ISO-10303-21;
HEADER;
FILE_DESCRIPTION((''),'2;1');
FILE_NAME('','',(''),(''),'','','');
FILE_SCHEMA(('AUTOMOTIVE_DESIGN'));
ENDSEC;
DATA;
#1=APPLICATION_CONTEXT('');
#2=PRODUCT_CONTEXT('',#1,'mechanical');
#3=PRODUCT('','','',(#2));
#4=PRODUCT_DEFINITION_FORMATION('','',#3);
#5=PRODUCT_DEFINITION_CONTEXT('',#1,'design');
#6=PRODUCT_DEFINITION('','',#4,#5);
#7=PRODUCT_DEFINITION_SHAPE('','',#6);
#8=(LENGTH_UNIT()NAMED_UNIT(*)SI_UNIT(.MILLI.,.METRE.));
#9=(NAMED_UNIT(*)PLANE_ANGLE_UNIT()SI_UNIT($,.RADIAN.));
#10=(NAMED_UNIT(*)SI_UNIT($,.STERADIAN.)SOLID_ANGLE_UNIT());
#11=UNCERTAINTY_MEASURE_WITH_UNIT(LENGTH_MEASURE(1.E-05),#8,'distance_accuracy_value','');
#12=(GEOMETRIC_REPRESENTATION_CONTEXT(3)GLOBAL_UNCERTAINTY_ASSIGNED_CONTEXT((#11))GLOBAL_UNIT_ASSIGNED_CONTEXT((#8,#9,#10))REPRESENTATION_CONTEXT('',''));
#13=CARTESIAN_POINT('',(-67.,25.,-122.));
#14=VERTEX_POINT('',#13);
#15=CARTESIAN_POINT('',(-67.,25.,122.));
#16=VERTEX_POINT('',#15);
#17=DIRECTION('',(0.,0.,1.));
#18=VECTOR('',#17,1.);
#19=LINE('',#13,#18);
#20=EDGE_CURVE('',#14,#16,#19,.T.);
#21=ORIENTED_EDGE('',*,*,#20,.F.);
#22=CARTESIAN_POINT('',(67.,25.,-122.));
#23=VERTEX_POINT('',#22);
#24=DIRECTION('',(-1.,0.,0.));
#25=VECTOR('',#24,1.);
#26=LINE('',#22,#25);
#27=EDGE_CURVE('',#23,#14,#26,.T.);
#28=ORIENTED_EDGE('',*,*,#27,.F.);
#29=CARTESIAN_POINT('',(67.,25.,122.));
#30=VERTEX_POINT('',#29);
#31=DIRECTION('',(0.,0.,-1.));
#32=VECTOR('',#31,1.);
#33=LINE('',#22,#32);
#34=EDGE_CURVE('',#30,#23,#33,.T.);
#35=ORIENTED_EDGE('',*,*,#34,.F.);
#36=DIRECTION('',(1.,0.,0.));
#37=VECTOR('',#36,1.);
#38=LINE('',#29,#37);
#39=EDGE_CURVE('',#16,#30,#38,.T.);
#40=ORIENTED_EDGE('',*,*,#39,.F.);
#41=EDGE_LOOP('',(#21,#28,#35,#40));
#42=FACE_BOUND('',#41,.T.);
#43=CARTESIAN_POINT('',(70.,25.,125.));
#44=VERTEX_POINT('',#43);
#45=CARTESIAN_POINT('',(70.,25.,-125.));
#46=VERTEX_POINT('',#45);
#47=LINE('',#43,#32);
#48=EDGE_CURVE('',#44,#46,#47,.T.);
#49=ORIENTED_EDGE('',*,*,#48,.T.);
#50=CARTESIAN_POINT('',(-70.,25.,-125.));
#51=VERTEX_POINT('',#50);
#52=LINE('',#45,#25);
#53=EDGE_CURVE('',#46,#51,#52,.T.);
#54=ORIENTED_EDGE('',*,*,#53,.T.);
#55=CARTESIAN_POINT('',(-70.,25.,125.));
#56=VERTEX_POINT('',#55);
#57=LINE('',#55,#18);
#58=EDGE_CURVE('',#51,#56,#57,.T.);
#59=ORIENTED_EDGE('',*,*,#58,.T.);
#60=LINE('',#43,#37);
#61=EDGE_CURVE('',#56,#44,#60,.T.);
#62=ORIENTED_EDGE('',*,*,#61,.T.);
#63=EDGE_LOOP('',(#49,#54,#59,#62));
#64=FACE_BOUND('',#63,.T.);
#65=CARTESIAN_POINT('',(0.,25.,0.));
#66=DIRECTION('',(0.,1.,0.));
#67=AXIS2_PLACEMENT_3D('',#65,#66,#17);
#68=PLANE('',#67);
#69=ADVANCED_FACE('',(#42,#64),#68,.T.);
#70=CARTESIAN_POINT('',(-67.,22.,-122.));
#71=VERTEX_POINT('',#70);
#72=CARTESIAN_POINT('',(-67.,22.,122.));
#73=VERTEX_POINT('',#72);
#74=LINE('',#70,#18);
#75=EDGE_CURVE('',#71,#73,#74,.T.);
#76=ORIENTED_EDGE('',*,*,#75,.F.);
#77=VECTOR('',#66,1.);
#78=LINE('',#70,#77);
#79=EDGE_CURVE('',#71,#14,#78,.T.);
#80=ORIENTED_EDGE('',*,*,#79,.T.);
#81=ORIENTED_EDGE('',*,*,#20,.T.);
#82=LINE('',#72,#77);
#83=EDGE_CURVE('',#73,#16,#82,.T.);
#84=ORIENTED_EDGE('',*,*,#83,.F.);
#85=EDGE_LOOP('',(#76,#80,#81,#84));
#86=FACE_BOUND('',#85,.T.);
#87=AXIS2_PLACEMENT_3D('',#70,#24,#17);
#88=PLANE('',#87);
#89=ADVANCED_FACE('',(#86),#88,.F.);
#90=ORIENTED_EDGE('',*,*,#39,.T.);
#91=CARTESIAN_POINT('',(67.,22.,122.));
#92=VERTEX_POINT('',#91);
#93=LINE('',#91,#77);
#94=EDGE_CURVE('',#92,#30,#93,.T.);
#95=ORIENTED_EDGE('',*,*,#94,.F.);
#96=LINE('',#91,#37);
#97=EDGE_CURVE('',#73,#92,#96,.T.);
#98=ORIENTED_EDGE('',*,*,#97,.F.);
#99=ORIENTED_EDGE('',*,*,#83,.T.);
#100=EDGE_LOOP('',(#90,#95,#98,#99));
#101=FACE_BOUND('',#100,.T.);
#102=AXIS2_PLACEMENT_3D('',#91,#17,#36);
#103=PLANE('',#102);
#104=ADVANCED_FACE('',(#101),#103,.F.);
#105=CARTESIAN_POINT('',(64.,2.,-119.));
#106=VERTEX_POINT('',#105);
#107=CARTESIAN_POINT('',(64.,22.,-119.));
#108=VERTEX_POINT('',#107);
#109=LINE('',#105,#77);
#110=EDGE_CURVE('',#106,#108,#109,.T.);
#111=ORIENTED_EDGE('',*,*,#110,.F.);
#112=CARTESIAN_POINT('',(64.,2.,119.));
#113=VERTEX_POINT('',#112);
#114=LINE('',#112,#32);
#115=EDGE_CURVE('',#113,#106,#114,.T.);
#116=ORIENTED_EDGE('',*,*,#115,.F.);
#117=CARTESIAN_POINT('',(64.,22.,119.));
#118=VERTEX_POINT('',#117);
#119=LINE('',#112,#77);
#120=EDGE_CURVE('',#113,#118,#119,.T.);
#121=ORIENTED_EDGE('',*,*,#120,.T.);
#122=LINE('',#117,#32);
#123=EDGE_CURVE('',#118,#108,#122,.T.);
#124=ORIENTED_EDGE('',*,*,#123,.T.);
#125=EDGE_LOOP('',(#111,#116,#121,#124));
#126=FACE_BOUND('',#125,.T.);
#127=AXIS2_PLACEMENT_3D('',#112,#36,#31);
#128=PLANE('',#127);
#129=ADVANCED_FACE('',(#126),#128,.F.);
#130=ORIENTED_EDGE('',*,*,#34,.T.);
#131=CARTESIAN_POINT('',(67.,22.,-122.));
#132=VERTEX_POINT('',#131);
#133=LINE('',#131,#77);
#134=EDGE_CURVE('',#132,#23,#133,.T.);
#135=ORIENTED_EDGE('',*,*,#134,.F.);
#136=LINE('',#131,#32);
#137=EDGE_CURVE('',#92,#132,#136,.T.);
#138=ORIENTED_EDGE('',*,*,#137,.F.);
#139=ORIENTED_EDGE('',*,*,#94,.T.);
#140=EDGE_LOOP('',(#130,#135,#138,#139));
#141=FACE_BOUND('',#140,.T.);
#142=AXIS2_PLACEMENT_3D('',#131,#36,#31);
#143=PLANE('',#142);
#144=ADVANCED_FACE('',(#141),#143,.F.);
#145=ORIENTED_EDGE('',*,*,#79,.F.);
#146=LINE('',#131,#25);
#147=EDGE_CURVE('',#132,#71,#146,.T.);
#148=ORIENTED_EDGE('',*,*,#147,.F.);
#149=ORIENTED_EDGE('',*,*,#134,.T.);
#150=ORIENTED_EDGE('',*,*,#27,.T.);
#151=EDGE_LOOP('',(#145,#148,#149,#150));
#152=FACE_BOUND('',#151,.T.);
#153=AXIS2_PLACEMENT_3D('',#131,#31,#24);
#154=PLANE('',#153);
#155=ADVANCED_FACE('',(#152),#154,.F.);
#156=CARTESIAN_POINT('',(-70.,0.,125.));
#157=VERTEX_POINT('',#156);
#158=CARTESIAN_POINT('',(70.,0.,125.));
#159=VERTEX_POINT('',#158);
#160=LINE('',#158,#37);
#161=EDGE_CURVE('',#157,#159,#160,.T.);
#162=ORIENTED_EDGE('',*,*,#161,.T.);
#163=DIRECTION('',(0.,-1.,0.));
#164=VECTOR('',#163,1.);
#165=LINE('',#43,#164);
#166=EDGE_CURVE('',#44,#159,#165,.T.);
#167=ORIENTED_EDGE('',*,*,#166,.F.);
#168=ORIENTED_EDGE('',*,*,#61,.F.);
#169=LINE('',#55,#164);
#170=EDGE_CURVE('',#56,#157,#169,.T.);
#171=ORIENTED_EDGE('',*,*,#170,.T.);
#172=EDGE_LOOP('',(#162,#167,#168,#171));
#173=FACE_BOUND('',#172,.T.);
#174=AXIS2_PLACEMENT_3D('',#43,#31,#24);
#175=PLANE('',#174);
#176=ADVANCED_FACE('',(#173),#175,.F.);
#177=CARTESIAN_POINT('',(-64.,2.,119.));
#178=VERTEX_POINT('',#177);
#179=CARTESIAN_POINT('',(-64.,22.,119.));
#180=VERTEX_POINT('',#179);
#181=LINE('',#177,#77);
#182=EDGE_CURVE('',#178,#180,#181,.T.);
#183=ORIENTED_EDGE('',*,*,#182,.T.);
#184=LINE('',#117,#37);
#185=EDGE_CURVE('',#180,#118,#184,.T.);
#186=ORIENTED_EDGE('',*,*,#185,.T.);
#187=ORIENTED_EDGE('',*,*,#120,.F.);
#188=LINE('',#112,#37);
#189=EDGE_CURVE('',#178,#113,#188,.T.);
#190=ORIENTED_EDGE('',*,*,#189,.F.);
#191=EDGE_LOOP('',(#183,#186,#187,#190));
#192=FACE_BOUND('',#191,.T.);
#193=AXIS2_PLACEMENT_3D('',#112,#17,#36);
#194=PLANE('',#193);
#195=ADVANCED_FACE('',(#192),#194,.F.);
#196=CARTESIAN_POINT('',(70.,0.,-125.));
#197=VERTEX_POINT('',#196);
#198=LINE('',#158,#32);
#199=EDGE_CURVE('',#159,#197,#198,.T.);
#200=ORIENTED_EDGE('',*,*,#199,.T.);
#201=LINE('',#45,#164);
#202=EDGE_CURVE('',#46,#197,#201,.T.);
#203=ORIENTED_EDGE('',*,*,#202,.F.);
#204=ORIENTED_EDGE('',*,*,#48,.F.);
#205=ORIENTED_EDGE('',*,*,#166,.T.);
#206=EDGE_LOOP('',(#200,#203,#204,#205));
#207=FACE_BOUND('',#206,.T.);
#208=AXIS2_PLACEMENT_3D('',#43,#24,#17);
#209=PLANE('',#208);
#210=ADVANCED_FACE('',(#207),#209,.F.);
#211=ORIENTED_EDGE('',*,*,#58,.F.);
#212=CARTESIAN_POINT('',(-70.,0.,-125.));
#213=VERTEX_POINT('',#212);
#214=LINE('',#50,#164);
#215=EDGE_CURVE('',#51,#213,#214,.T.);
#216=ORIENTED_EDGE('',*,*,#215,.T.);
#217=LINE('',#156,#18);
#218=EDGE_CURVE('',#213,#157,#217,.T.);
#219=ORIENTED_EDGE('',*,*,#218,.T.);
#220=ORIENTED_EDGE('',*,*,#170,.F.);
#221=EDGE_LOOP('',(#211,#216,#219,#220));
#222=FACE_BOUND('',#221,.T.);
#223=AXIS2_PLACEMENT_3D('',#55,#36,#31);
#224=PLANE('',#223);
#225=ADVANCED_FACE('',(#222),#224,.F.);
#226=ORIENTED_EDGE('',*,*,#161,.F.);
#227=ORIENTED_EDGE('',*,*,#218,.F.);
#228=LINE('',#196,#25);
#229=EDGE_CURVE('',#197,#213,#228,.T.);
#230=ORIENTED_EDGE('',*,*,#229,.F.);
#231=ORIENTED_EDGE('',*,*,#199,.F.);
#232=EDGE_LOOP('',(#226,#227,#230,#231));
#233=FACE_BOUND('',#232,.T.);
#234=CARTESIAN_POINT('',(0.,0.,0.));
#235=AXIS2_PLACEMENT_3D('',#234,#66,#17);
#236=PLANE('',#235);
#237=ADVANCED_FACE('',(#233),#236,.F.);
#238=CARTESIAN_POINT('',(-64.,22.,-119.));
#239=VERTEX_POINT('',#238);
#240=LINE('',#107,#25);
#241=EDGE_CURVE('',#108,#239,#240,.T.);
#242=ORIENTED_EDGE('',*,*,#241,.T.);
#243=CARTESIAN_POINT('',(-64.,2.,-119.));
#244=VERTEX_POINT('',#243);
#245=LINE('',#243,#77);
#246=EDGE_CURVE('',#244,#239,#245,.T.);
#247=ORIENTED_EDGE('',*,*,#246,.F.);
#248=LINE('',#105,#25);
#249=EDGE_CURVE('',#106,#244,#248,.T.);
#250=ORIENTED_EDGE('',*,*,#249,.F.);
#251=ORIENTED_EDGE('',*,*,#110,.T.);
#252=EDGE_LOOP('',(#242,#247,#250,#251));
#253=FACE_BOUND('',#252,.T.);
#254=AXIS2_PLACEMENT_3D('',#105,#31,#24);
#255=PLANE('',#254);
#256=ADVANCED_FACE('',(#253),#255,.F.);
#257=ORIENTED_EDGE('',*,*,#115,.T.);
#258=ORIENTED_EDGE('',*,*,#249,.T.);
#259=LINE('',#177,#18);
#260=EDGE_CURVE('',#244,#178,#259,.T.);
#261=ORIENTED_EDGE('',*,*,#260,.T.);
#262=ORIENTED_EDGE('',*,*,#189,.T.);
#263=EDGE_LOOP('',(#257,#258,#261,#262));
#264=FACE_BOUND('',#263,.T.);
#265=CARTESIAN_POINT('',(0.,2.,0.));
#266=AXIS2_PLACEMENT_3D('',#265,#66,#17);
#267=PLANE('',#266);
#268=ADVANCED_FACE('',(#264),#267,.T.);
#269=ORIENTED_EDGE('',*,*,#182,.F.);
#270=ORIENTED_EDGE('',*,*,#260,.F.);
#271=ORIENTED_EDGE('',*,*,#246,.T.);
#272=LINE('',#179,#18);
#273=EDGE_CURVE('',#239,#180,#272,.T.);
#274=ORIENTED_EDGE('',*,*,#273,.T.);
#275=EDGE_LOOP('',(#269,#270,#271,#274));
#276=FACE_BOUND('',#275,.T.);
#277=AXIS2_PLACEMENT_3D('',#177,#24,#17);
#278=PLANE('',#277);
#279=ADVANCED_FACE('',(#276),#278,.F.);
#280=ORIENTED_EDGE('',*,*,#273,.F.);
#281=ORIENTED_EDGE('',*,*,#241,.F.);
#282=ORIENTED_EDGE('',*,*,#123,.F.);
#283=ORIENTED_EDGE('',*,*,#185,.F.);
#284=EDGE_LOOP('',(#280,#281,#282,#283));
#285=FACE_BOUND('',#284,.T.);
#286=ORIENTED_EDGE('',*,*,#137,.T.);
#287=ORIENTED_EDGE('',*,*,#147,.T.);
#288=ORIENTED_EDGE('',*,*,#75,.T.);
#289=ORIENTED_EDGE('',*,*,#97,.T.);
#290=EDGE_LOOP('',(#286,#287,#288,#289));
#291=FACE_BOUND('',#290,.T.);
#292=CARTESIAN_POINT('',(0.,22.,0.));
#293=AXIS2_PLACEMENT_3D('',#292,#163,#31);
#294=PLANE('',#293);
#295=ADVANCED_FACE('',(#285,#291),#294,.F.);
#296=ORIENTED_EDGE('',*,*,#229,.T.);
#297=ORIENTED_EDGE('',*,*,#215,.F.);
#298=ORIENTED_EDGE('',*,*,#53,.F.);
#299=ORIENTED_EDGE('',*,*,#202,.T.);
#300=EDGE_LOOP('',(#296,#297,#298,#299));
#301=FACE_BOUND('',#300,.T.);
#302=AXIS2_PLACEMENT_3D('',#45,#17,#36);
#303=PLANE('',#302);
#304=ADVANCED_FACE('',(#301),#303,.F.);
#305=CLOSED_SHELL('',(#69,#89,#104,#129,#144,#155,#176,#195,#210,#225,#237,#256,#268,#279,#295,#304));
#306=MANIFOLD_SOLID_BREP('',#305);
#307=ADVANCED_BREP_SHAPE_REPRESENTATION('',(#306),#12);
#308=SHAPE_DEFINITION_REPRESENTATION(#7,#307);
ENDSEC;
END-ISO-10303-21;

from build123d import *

# Parameters (mm, degrees)
SKETCH1_W           = 140
SKETCH1_H           = 250
BOSS_EXTRUDE1_DEPTH = 25
SKETCH2_W           = 128
SKETCH2_H           = 238
CUT_EXTRUDE1_DEPTH  = 23
SKETCH4_W           = 134
SKETCH4_H           = 244
CUT_EXTRUDE2_DEPTH  = 3


with BuildPart() as part:
    # Sketch1 → Boss-Extrude1 (new body)
    with BuildSketch(Plane(origin=(0, 0, 0), x_dir=(1, 0, 0), z_dir=(0, 1, 0))):
        Rectangle(SKETCH1_W, SKETCH1_H)
    extrude(amount=BOSS_EXTRUDE1_DEPTH)

    # Sketch2 → Cut-Extrude1 (cut)
    with BuildSketch(Plane(origin=(0, 25, 0), x_dir=(1, 0, 0), z_dir=(0, 1, 0))):
        Rectangle(SKETCH2_W, SKETCH2_H)
    extrude(amount=-CUT_EXTRUDE1_DEPTH, mode=Mode.SUBTRACT)

    # Sketch4 → Cut-Extrude2 (cut)
    with BuildSketch(Plane(origin=(0, 25, 0), x_dir=(1, 0, 0), z_dir=(0, 1, 0))):
        Rectangle(SKETCH4_W, SKETCH4_H)
    extrude(amount=-CUT_EXTRUDE2_DEPTH, mode=Mode.SUBTRACT)


solid = part.part
